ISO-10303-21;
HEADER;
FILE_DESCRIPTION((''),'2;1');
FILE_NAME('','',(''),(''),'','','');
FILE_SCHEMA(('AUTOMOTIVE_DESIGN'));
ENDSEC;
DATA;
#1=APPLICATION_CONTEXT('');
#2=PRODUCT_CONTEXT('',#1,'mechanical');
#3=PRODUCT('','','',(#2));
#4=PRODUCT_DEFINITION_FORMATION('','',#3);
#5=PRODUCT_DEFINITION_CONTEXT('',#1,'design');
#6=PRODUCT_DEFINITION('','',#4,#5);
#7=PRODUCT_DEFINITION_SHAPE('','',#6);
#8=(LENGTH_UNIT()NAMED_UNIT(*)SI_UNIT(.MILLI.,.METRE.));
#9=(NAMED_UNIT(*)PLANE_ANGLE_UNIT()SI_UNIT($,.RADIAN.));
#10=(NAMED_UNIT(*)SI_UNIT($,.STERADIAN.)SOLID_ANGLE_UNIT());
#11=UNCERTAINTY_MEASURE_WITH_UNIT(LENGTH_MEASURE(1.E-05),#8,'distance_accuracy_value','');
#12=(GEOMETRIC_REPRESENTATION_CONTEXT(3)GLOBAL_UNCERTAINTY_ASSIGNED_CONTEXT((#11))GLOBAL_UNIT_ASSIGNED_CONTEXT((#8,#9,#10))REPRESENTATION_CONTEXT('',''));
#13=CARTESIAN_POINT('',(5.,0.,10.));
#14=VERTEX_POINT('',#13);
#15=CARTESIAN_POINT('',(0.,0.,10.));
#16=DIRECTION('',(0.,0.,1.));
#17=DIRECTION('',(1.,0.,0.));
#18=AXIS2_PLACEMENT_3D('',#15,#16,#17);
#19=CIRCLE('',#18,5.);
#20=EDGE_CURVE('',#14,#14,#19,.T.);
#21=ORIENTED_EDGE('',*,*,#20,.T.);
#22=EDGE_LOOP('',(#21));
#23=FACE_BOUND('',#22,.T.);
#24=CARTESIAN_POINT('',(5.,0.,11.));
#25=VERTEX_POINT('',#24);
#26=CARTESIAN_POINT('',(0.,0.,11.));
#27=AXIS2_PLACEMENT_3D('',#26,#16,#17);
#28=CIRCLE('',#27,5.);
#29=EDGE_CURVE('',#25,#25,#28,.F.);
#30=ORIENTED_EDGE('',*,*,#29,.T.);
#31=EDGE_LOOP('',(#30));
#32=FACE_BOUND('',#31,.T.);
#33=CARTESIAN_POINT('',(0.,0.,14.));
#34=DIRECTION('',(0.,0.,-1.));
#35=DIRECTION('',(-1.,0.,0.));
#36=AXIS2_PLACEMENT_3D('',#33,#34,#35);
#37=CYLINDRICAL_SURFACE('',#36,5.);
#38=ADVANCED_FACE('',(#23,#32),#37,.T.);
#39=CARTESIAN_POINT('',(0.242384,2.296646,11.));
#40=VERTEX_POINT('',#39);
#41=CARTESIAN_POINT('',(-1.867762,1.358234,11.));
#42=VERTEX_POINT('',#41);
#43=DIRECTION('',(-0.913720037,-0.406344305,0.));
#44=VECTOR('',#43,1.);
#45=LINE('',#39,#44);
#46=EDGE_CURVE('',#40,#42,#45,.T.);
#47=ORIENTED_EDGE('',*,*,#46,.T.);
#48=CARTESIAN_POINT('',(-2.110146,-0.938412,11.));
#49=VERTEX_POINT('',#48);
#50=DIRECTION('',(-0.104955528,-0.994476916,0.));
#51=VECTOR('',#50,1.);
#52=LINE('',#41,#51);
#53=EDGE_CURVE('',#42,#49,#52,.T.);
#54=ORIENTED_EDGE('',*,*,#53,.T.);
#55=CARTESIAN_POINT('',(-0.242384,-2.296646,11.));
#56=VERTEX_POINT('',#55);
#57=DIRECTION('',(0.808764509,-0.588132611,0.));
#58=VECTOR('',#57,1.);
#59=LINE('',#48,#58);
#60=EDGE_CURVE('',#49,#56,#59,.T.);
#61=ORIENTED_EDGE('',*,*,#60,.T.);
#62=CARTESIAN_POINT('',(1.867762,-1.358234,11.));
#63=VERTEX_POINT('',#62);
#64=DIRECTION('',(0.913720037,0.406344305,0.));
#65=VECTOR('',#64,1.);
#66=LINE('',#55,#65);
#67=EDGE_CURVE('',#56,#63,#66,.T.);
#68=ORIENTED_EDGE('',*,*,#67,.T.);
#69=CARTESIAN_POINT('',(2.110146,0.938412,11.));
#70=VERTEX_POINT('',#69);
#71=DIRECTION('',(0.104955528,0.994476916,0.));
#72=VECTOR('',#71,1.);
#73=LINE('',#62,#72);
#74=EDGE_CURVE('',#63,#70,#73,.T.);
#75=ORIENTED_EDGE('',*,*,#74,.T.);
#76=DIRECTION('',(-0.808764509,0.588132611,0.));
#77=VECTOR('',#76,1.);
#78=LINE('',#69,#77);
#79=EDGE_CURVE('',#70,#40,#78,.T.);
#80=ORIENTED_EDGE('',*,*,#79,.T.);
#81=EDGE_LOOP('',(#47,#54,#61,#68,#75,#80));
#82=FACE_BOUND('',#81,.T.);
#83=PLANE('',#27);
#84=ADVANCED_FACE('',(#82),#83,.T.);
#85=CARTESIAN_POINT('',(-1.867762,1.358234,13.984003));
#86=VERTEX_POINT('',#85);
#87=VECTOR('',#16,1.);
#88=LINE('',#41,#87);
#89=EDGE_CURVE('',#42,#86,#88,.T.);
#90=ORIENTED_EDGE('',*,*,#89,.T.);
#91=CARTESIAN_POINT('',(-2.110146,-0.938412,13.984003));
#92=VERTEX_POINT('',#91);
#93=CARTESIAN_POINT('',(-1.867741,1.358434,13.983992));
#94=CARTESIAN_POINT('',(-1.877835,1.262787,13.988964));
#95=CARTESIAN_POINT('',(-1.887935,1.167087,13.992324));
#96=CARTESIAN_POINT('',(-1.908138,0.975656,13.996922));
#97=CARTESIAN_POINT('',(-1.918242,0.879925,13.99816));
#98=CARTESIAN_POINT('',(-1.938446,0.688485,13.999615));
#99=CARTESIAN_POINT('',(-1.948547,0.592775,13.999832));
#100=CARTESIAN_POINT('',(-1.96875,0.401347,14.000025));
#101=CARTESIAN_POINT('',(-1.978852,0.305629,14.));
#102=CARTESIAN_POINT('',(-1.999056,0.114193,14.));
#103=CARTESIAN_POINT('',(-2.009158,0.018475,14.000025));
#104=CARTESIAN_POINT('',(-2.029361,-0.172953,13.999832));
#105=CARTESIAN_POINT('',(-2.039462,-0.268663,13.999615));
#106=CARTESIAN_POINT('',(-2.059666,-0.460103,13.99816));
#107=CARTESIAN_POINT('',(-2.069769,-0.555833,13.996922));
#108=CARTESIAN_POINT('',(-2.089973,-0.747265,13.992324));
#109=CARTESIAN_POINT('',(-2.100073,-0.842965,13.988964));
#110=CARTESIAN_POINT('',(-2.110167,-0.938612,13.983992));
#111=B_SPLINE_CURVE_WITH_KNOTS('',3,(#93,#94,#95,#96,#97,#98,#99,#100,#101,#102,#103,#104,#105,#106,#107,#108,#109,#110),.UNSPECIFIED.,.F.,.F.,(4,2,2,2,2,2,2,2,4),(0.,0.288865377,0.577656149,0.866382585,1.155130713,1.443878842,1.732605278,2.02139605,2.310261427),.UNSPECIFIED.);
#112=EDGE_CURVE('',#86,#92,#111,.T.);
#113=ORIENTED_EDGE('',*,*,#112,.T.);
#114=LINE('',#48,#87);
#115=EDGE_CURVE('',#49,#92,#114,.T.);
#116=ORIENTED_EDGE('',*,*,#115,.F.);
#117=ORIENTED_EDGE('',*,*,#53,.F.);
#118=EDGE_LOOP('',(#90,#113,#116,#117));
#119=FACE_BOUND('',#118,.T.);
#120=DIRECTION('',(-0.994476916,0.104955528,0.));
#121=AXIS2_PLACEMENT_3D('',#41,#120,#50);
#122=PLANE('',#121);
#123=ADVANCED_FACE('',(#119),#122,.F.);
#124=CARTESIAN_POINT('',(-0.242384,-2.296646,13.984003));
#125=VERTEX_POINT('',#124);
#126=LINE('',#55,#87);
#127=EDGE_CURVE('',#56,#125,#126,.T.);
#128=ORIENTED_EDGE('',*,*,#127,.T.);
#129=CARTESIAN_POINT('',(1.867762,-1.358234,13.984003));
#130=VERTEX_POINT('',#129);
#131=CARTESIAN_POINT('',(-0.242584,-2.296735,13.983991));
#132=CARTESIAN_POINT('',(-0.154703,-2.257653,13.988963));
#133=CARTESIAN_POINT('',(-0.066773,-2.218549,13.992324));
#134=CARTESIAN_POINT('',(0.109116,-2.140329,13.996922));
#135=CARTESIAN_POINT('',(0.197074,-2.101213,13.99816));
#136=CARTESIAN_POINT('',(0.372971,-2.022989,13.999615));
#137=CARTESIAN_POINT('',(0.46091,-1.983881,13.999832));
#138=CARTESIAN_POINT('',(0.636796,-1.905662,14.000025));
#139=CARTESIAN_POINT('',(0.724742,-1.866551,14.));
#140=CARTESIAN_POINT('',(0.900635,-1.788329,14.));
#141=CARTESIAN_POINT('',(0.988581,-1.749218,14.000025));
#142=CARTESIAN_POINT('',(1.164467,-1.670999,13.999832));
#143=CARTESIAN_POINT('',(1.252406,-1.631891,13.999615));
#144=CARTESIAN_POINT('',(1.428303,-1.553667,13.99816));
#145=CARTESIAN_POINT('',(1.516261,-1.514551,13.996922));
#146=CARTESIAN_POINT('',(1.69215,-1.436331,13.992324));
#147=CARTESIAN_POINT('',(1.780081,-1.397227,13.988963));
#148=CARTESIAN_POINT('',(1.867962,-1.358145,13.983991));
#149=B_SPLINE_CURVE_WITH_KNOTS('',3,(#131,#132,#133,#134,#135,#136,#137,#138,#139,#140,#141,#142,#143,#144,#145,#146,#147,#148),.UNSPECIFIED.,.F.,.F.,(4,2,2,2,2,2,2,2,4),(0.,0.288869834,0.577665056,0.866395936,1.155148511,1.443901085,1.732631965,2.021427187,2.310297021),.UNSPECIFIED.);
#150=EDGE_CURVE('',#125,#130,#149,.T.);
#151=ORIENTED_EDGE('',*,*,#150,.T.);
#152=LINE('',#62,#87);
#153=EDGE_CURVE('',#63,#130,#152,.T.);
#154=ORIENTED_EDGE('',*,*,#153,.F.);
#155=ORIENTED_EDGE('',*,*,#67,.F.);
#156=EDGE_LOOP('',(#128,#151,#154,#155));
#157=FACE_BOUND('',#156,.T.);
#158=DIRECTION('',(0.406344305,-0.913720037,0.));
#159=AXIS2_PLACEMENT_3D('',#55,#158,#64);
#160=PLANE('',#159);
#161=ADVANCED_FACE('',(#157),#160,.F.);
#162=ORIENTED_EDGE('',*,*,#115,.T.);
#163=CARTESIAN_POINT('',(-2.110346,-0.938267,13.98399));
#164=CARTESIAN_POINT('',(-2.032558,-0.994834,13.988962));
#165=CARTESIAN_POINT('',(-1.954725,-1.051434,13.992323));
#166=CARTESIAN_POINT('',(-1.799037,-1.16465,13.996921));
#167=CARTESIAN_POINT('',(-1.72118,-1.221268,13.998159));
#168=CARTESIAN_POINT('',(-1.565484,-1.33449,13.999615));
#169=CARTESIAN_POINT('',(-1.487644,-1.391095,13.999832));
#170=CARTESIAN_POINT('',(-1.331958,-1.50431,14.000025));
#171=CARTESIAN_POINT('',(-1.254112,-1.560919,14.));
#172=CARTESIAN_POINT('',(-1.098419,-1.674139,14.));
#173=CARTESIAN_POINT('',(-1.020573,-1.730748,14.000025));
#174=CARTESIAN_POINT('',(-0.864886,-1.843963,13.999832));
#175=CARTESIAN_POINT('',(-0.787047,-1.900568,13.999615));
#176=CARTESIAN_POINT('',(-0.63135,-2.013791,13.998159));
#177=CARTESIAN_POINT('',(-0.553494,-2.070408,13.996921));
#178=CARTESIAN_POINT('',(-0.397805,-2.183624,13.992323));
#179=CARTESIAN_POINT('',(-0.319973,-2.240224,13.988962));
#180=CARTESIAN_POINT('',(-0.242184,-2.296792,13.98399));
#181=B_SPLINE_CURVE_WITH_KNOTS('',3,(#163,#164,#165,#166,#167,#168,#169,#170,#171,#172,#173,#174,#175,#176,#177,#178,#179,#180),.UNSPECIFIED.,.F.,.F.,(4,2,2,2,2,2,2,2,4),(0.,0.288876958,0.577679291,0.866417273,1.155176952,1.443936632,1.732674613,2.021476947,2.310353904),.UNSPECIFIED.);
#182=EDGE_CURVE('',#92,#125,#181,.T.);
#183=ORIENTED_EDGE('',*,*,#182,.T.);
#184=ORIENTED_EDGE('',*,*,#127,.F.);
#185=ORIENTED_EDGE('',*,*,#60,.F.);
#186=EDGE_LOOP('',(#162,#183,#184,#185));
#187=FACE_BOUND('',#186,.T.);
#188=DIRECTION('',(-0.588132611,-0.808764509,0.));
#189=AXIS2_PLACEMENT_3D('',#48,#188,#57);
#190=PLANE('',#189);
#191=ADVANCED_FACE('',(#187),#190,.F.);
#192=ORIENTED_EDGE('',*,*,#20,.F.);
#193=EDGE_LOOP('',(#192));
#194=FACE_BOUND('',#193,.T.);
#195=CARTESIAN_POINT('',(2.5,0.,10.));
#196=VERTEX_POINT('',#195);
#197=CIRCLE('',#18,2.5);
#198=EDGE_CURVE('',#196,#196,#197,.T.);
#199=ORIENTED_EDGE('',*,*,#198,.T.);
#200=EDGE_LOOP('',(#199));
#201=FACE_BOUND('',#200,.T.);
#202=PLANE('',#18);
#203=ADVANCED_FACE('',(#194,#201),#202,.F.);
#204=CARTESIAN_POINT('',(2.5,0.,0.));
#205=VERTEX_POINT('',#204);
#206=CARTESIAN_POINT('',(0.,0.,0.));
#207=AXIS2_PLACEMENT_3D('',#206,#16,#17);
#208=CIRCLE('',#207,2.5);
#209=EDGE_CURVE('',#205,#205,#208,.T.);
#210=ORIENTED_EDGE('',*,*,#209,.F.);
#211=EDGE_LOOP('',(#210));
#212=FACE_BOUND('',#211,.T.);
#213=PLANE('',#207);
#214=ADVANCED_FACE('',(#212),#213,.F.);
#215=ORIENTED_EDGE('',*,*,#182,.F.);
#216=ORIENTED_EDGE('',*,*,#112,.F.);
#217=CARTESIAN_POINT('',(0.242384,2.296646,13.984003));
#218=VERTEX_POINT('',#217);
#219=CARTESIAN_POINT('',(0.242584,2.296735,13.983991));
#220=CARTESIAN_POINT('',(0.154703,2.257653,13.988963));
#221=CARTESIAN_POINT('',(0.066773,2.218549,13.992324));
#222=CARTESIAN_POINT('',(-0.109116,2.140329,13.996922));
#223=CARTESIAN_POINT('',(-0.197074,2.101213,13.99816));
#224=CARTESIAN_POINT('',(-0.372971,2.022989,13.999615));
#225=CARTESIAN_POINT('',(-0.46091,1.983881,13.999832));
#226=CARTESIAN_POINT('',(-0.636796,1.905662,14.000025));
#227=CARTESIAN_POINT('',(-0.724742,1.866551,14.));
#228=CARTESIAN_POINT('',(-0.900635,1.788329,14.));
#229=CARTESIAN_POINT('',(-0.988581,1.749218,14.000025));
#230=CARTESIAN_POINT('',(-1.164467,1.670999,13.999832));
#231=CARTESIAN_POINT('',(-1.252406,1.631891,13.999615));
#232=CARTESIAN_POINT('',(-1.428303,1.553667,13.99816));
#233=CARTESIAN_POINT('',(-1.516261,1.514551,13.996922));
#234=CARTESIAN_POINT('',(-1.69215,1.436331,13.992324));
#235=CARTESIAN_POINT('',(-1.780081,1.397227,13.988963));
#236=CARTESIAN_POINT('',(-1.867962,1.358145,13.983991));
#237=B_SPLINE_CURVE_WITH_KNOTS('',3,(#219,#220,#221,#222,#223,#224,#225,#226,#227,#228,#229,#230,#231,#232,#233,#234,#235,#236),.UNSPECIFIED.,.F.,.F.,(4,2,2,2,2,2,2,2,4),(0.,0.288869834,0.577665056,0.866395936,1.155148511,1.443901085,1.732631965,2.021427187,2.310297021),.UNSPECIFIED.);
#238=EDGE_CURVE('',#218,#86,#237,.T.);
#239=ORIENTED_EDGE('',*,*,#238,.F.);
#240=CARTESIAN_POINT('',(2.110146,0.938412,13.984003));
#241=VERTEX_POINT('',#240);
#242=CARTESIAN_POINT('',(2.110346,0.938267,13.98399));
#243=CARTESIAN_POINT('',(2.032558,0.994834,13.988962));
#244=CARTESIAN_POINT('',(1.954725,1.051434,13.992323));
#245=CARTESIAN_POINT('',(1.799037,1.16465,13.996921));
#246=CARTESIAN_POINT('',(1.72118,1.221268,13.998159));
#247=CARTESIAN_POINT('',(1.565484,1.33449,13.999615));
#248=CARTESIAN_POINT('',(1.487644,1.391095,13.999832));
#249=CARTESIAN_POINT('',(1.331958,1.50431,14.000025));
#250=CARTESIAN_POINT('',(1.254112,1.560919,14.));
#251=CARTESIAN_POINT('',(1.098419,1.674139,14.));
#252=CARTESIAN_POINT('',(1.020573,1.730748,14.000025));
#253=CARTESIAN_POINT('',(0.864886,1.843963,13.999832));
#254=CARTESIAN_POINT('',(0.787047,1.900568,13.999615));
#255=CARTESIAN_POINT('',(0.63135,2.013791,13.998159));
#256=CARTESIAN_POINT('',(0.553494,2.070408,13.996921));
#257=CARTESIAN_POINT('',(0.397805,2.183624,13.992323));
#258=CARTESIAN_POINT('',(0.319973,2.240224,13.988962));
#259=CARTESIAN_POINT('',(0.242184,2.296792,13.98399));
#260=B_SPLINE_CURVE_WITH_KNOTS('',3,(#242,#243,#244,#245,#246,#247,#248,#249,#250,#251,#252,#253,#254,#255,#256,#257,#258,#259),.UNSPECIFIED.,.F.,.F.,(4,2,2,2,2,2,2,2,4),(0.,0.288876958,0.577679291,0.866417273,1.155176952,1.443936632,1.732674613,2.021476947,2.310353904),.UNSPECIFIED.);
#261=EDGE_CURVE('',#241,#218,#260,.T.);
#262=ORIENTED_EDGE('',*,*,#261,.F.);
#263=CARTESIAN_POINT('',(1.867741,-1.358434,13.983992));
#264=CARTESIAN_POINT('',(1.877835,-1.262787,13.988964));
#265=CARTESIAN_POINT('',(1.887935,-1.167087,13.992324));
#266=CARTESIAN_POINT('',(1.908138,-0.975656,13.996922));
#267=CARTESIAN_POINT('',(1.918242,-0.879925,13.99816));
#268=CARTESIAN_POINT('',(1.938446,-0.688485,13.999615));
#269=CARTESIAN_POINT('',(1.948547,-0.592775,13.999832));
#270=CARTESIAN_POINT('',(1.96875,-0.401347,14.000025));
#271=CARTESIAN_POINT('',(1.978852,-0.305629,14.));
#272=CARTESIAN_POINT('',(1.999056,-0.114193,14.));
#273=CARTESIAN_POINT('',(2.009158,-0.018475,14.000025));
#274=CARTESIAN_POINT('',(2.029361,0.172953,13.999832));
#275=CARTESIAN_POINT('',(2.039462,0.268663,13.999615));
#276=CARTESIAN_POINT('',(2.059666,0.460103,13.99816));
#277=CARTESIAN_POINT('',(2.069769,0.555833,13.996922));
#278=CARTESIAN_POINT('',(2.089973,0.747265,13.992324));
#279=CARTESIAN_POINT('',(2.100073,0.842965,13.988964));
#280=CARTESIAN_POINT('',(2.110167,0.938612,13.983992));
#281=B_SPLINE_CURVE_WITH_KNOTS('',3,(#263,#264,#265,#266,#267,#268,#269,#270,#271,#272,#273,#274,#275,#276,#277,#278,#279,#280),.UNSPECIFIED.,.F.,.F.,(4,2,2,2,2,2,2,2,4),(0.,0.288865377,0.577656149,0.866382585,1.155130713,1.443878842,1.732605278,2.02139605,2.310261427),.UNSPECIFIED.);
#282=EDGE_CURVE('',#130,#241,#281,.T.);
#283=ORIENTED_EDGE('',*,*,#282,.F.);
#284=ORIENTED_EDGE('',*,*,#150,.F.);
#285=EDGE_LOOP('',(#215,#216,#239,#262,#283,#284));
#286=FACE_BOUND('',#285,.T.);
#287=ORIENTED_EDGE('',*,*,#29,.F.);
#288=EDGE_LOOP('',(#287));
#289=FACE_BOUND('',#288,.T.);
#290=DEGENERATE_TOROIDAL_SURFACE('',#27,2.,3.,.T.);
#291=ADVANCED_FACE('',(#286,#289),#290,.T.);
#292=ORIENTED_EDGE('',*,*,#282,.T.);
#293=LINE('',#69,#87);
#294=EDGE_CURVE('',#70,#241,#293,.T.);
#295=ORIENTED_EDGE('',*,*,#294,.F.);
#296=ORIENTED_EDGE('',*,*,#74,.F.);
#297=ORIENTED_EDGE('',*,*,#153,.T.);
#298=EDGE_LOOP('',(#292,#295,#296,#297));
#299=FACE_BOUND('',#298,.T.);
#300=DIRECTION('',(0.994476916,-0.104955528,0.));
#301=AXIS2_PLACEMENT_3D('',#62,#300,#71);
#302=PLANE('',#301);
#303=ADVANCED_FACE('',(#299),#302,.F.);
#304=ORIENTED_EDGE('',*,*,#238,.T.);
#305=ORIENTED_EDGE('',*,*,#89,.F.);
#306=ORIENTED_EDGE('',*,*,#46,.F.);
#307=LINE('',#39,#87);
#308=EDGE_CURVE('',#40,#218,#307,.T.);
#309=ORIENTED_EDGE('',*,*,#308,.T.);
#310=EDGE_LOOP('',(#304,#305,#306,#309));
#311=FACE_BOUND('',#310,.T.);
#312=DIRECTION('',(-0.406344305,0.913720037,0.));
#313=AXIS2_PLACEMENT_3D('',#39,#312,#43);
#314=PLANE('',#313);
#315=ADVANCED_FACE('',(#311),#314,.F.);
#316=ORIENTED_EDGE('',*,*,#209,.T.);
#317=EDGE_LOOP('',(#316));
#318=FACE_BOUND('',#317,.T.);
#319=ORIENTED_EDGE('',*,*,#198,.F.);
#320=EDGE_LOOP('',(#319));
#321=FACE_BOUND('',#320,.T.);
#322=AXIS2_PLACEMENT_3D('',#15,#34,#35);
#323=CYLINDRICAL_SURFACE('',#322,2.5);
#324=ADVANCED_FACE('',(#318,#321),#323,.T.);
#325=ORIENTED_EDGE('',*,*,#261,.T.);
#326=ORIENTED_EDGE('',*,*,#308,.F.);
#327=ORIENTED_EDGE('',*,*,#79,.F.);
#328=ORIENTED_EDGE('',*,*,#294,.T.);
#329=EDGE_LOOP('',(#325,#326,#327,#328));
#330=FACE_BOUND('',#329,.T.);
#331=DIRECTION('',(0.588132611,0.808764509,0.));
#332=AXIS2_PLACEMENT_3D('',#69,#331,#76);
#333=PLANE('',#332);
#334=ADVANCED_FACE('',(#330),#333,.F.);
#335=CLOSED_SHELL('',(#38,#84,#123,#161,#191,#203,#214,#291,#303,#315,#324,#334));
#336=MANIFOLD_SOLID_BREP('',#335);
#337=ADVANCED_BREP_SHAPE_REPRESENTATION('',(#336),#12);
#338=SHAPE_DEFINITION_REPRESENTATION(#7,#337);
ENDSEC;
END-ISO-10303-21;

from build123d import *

# Parameters (mm, degrees)
SKETCH_1_R          = 2.5
EXTRUDE_1_DEPTH     = 10
SKETCH_2_R          = 5
EXTRUDE_2_DEPTH     = 4
FILLET_1_R          = 3
CUT_EXTRUDE_1_DEPTH = 3


with BuildPart() as part:
    # 草图1 → 凸台-拉伸1 (new body)
    with BuildSketch(Plane.XY):
        Circle(SKETCH_1_R)
    extrude(amount=EXTRUDE_1_DEPTH)

    # 草图2 → 凸台-拉伸2 (add)
    with BuildSketch(Plane.XY.offset(10)):
        Circle(SKETCH_2_R)
    extrude(amount=EXTRUDE_2_DEPTH)

    # 圆角1
    fillet_1_edges = [part.edges().sort_by_distance(p)[0] for p in [
        (-5, 0, 14),
    ]]
    fillet(fillet_1_edges, radius=FILLET_1_R)

    # 草图3 → 切除-拉伸1 (cut)
    with BuildSketch(Plane.XY.offset(14)):
        Polygon((-0.242384409, -2.296646061), (1.867761628, -1.358234086), (2.110146037, 0.938411975), (0.242384409, 2.296646061), (-1.867761628, 1.358234086), (-2.110146037, -0.938411975), align=None)
    extrude(amount=-CUT_EXTRUDE_1_DEPTH, mode=Mode.SUBTRACT)


solid = part.part
